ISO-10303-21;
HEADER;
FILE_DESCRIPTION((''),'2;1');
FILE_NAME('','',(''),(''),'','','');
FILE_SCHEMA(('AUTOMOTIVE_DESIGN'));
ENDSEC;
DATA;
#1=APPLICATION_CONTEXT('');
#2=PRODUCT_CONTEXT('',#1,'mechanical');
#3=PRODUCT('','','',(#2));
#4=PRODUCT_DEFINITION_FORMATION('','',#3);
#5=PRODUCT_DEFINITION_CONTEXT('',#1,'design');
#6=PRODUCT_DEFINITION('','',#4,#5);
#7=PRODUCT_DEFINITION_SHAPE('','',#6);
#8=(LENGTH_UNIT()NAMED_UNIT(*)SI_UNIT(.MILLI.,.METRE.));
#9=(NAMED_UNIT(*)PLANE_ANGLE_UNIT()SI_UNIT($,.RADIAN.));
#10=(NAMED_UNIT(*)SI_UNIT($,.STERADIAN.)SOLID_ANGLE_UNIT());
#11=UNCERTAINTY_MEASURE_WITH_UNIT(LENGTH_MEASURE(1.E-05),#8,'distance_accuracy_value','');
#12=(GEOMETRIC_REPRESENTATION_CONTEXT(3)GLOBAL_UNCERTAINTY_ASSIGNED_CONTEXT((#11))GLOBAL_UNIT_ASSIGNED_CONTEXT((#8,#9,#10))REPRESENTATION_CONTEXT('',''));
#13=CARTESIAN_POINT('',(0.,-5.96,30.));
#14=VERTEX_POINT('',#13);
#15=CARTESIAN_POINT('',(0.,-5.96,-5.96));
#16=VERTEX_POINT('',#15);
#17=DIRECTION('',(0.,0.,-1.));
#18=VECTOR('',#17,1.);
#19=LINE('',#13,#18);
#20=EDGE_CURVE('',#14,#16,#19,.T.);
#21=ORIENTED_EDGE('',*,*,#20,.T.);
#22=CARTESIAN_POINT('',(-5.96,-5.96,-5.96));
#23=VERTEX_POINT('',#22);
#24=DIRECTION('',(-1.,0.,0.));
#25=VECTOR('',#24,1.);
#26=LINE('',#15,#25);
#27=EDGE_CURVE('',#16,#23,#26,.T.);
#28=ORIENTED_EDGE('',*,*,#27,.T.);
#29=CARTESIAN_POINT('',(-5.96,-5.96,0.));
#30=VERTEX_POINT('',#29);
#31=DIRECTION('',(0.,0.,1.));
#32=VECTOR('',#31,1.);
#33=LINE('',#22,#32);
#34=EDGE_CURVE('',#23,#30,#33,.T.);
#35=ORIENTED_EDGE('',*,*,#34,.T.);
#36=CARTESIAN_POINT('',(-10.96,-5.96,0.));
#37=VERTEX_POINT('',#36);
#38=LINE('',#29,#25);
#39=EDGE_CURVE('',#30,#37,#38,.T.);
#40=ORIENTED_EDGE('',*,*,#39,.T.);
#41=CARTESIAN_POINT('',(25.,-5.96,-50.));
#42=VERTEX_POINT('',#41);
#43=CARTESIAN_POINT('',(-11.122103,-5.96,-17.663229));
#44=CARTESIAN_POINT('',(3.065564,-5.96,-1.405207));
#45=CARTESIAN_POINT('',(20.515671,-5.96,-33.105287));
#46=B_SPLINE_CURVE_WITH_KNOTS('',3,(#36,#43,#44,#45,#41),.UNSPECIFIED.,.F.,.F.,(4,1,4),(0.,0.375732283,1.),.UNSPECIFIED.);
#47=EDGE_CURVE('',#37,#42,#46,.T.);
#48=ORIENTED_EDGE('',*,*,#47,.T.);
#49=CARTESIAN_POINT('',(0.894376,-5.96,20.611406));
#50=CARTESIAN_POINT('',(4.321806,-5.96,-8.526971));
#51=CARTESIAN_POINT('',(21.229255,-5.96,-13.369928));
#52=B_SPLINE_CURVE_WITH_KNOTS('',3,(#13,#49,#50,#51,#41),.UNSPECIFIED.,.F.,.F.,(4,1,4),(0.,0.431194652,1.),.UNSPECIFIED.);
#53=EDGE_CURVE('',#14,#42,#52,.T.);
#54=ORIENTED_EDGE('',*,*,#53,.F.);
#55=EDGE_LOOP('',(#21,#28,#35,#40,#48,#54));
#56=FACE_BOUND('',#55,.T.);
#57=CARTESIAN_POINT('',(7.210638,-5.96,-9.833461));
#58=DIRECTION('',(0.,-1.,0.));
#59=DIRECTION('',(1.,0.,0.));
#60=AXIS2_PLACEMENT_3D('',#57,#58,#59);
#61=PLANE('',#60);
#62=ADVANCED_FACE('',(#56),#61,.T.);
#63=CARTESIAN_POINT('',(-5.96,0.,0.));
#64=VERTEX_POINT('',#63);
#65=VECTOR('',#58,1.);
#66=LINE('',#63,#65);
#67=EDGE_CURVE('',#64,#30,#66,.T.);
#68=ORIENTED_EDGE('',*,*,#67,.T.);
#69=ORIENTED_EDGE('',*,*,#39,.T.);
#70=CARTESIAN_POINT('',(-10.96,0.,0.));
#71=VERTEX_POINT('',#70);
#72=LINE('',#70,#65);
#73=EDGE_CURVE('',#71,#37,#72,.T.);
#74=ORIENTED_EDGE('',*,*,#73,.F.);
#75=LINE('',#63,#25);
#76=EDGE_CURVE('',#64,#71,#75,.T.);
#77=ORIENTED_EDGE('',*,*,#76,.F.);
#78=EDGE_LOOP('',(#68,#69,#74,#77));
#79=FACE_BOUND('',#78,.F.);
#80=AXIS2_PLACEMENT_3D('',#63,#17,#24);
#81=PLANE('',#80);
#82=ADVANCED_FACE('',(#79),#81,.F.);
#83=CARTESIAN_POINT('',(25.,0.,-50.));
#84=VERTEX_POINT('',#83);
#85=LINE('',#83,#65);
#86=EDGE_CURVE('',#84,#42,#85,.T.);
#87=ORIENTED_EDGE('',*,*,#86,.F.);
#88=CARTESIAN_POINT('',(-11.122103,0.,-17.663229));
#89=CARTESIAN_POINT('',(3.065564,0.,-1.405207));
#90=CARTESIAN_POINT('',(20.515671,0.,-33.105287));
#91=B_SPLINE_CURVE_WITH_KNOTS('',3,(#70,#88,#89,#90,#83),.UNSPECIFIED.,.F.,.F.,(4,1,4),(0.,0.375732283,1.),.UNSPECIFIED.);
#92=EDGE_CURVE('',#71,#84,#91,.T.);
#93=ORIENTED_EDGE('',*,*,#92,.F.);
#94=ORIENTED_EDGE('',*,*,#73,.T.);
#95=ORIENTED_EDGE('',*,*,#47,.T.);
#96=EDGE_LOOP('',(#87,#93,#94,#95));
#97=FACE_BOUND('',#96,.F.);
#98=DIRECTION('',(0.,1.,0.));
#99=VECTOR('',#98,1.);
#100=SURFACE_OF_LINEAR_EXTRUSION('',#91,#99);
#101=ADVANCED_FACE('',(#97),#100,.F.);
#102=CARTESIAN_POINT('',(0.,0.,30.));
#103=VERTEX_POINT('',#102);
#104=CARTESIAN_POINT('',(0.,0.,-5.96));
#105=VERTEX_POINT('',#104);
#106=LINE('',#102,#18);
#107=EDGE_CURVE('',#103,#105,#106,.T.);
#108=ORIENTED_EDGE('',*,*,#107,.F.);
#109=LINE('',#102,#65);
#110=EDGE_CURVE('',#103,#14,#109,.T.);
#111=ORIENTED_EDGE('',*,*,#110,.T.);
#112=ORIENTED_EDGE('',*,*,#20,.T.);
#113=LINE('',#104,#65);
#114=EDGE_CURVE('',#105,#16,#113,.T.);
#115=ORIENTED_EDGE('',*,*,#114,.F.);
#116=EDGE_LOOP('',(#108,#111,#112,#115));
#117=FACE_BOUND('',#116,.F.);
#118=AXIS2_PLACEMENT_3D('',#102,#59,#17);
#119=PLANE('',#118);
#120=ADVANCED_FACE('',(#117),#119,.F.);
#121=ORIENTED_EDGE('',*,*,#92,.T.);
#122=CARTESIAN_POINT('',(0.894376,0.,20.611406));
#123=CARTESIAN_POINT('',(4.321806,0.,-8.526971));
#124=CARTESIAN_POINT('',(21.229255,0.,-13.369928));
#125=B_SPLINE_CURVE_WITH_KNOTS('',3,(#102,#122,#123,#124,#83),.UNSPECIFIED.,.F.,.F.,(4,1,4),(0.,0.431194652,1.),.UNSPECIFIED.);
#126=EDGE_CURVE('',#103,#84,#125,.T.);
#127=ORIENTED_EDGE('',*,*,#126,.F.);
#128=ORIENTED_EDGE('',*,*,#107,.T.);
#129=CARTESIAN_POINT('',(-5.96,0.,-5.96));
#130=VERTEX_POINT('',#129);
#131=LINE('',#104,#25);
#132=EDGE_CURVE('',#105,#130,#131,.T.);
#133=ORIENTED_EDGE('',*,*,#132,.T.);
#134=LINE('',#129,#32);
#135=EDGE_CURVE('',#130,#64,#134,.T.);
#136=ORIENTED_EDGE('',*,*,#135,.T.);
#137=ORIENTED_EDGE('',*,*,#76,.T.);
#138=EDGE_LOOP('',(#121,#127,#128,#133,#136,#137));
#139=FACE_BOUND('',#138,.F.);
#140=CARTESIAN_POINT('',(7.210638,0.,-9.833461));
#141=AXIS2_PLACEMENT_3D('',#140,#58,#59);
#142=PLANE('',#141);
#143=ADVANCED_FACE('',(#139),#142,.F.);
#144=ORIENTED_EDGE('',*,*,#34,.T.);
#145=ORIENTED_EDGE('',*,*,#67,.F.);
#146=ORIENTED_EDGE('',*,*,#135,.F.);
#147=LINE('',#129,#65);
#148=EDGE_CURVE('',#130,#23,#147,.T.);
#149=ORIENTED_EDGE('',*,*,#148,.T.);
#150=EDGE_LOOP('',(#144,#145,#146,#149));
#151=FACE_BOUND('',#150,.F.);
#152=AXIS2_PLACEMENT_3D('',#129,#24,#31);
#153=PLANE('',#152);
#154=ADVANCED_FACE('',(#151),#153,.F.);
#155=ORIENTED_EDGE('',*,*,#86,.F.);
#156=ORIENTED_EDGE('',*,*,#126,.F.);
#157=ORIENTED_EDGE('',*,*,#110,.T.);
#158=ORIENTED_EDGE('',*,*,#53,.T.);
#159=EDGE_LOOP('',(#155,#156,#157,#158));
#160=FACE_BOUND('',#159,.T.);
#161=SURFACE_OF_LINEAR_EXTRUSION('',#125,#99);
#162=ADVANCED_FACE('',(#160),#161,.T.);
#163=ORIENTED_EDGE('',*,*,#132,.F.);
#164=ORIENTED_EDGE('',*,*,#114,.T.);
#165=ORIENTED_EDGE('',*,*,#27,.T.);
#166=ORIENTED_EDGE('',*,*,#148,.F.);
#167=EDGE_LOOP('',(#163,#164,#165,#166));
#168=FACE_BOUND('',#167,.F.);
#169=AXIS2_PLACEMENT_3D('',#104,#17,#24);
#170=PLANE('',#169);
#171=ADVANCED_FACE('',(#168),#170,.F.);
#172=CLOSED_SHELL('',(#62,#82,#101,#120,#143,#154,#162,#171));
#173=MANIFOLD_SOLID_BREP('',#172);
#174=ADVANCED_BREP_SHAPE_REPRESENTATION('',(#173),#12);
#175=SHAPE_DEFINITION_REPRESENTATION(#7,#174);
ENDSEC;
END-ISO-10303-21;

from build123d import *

# Parameters (mm, degrees)
F1_DEPTH = 5.96


with BuildPart() as f1:
    # F0 (on Front) → F1 (new body)
    with BuildSketch(Plane.XZ):
        with BuildLine():
            Line((0, 30), (0, 0))
            Line((0, 0), (0, -5.96))
            Line((0, -5.96), (-5.96, -5.96))
            Line((-5.96, -5.96), (-5.96, 0))
            Line((-5.96, 0), (-10.96, 0))
            add(Edge.make_bspline(
                [(-10.96, 0), (-11.1221029879, -17.6632285655), (3.0655637103, -1.4052068975), (20.5156708304, -33.1052866865), (25, -50)],
                knots=[0, 0, 0, 0, 0.3757322825, 1, 1, 1, 1], degree=3))
            add(Edge.make_bspline(
                [(0, 30), (0.8943757174, 20.6114059437), (4.3218059913, -8.5269714368), (21.2292548934, -13.3699283132), (25, -50)],
                knots=[0, 0, 0, 0, 0.4311946523, 1, 1, 1, 1], degree=3))
        make_face()
    extrude(amount=F1_DEPTH)


solid = f1.part
